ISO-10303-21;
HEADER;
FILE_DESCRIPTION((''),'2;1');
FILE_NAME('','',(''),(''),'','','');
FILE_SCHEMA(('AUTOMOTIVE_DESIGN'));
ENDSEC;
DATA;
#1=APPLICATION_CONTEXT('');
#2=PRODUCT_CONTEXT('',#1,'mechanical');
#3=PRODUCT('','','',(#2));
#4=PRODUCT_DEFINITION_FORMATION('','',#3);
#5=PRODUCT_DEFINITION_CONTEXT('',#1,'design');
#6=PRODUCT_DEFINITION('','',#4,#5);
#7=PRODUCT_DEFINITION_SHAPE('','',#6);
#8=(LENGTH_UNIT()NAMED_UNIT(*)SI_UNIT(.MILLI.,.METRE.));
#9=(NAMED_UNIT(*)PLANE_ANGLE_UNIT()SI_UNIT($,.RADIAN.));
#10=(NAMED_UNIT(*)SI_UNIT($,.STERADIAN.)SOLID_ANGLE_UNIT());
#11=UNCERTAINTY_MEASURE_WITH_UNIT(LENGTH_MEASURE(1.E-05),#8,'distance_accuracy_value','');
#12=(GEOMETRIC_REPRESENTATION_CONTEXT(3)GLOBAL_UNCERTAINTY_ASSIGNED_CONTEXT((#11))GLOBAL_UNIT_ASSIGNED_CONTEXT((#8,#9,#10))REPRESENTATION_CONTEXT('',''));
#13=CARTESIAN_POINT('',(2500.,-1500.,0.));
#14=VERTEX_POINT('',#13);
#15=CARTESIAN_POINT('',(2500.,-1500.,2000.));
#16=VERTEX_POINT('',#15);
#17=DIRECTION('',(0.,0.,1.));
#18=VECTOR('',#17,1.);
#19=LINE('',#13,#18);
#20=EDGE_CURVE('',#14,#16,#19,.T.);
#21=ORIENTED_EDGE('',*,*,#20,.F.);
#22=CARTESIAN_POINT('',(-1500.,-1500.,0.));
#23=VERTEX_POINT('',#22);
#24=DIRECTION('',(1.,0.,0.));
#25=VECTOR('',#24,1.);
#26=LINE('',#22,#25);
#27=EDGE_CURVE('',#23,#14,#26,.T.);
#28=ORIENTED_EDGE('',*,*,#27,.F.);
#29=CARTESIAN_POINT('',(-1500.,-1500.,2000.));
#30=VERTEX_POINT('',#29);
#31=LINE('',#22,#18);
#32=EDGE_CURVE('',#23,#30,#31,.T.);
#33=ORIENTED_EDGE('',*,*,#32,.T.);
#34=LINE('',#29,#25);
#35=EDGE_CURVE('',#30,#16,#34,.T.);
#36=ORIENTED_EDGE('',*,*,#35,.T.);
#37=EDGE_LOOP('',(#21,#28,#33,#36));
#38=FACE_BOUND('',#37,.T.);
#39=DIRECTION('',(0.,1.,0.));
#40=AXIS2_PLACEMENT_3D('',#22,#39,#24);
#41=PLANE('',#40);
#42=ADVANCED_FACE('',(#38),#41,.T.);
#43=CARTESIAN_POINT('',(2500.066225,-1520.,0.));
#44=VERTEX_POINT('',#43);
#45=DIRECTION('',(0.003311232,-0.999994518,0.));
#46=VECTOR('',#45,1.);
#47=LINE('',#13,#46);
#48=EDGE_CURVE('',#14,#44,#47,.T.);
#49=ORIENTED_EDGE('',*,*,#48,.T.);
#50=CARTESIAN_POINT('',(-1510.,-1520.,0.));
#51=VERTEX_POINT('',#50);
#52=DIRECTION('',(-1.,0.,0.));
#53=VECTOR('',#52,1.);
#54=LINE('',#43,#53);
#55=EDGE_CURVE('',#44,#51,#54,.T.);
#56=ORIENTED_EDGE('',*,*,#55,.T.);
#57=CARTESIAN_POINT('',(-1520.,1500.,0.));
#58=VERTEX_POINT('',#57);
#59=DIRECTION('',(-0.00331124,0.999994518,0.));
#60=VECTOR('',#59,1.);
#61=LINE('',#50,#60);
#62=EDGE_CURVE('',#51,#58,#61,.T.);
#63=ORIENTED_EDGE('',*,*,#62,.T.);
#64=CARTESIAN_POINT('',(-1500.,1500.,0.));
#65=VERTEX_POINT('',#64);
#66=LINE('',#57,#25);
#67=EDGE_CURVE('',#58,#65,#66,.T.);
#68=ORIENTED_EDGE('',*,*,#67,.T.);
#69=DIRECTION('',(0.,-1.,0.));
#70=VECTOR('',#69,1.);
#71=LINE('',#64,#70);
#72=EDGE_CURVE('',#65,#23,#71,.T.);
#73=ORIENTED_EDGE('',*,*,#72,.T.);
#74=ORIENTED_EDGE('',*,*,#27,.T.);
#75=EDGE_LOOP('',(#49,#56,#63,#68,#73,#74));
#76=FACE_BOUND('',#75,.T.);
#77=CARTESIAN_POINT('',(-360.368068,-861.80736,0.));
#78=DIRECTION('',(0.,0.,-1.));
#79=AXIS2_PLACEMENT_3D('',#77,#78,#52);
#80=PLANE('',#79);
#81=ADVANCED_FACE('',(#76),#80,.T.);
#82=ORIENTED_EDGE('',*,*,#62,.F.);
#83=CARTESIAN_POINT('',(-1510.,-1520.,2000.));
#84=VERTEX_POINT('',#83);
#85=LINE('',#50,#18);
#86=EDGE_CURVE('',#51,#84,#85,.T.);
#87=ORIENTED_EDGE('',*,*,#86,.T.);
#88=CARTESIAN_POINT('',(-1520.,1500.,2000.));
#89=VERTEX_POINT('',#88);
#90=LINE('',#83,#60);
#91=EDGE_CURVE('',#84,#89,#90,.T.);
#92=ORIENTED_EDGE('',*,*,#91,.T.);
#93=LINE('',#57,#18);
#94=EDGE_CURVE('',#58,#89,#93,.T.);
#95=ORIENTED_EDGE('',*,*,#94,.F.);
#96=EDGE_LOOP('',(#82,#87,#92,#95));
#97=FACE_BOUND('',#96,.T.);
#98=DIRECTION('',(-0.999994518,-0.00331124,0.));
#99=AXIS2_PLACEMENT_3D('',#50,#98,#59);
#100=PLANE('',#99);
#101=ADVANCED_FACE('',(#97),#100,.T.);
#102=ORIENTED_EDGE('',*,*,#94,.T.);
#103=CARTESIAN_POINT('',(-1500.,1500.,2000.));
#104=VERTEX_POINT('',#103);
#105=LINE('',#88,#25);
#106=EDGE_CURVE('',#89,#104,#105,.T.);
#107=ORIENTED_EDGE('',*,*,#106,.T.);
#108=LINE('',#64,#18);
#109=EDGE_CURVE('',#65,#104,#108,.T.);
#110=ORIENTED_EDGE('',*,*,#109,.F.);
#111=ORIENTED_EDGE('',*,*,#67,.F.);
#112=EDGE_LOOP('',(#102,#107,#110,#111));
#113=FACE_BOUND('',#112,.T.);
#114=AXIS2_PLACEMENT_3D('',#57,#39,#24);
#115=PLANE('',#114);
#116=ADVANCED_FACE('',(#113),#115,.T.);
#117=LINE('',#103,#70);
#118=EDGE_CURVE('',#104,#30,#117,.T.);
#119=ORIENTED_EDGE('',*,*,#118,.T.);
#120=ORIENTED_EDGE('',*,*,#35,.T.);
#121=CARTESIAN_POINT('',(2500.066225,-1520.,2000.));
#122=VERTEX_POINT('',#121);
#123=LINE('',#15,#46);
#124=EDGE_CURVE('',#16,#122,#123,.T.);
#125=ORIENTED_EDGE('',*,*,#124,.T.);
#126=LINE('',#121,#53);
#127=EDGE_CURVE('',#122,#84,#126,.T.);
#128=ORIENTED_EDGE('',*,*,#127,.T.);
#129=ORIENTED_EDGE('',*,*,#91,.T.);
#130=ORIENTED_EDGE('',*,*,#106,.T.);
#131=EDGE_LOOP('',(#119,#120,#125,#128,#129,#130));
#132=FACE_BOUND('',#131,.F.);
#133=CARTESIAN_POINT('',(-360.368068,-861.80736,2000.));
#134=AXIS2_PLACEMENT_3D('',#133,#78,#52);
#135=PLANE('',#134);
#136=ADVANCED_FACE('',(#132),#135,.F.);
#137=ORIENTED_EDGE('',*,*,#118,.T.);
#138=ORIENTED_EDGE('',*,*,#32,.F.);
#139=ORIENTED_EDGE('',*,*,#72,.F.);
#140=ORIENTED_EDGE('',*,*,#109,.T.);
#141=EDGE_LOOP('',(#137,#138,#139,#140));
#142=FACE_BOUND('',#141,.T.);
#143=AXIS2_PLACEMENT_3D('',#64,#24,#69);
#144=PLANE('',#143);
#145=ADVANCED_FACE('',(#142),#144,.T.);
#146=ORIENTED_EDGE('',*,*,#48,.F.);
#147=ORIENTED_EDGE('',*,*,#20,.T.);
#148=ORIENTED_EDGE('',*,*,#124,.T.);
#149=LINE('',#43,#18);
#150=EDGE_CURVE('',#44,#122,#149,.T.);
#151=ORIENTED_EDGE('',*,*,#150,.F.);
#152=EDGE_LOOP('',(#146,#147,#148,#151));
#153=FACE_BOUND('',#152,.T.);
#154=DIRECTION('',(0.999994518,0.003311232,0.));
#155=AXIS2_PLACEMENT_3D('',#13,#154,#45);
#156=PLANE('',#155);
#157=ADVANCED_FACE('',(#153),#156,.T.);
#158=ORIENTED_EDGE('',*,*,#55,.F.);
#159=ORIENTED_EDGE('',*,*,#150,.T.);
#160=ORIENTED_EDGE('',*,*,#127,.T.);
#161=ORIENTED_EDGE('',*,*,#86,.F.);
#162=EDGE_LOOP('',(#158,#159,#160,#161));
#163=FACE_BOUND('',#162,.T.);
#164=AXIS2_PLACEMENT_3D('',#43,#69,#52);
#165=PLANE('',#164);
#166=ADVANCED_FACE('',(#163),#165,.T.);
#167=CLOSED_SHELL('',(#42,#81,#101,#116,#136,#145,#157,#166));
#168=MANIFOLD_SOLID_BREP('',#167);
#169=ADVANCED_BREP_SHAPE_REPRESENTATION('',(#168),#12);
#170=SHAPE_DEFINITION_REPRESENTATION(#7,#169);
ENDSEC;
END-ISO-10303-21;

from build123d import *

# Parameters (mm, degrees)
PAD_DEPTH = 2000


with BuildPart() as part:
    # Sketch → Pad (new body)
    with BuildSketch(Plane.XY):
        Polygon((-1520, 1500), (-1500, 1500), (-1500, -1500), (2500, -1500), (2500.066225, -1520), (-1510, -1520), align=None)
    extrude(amount=PAD_DEPTH)


solid = part.part
